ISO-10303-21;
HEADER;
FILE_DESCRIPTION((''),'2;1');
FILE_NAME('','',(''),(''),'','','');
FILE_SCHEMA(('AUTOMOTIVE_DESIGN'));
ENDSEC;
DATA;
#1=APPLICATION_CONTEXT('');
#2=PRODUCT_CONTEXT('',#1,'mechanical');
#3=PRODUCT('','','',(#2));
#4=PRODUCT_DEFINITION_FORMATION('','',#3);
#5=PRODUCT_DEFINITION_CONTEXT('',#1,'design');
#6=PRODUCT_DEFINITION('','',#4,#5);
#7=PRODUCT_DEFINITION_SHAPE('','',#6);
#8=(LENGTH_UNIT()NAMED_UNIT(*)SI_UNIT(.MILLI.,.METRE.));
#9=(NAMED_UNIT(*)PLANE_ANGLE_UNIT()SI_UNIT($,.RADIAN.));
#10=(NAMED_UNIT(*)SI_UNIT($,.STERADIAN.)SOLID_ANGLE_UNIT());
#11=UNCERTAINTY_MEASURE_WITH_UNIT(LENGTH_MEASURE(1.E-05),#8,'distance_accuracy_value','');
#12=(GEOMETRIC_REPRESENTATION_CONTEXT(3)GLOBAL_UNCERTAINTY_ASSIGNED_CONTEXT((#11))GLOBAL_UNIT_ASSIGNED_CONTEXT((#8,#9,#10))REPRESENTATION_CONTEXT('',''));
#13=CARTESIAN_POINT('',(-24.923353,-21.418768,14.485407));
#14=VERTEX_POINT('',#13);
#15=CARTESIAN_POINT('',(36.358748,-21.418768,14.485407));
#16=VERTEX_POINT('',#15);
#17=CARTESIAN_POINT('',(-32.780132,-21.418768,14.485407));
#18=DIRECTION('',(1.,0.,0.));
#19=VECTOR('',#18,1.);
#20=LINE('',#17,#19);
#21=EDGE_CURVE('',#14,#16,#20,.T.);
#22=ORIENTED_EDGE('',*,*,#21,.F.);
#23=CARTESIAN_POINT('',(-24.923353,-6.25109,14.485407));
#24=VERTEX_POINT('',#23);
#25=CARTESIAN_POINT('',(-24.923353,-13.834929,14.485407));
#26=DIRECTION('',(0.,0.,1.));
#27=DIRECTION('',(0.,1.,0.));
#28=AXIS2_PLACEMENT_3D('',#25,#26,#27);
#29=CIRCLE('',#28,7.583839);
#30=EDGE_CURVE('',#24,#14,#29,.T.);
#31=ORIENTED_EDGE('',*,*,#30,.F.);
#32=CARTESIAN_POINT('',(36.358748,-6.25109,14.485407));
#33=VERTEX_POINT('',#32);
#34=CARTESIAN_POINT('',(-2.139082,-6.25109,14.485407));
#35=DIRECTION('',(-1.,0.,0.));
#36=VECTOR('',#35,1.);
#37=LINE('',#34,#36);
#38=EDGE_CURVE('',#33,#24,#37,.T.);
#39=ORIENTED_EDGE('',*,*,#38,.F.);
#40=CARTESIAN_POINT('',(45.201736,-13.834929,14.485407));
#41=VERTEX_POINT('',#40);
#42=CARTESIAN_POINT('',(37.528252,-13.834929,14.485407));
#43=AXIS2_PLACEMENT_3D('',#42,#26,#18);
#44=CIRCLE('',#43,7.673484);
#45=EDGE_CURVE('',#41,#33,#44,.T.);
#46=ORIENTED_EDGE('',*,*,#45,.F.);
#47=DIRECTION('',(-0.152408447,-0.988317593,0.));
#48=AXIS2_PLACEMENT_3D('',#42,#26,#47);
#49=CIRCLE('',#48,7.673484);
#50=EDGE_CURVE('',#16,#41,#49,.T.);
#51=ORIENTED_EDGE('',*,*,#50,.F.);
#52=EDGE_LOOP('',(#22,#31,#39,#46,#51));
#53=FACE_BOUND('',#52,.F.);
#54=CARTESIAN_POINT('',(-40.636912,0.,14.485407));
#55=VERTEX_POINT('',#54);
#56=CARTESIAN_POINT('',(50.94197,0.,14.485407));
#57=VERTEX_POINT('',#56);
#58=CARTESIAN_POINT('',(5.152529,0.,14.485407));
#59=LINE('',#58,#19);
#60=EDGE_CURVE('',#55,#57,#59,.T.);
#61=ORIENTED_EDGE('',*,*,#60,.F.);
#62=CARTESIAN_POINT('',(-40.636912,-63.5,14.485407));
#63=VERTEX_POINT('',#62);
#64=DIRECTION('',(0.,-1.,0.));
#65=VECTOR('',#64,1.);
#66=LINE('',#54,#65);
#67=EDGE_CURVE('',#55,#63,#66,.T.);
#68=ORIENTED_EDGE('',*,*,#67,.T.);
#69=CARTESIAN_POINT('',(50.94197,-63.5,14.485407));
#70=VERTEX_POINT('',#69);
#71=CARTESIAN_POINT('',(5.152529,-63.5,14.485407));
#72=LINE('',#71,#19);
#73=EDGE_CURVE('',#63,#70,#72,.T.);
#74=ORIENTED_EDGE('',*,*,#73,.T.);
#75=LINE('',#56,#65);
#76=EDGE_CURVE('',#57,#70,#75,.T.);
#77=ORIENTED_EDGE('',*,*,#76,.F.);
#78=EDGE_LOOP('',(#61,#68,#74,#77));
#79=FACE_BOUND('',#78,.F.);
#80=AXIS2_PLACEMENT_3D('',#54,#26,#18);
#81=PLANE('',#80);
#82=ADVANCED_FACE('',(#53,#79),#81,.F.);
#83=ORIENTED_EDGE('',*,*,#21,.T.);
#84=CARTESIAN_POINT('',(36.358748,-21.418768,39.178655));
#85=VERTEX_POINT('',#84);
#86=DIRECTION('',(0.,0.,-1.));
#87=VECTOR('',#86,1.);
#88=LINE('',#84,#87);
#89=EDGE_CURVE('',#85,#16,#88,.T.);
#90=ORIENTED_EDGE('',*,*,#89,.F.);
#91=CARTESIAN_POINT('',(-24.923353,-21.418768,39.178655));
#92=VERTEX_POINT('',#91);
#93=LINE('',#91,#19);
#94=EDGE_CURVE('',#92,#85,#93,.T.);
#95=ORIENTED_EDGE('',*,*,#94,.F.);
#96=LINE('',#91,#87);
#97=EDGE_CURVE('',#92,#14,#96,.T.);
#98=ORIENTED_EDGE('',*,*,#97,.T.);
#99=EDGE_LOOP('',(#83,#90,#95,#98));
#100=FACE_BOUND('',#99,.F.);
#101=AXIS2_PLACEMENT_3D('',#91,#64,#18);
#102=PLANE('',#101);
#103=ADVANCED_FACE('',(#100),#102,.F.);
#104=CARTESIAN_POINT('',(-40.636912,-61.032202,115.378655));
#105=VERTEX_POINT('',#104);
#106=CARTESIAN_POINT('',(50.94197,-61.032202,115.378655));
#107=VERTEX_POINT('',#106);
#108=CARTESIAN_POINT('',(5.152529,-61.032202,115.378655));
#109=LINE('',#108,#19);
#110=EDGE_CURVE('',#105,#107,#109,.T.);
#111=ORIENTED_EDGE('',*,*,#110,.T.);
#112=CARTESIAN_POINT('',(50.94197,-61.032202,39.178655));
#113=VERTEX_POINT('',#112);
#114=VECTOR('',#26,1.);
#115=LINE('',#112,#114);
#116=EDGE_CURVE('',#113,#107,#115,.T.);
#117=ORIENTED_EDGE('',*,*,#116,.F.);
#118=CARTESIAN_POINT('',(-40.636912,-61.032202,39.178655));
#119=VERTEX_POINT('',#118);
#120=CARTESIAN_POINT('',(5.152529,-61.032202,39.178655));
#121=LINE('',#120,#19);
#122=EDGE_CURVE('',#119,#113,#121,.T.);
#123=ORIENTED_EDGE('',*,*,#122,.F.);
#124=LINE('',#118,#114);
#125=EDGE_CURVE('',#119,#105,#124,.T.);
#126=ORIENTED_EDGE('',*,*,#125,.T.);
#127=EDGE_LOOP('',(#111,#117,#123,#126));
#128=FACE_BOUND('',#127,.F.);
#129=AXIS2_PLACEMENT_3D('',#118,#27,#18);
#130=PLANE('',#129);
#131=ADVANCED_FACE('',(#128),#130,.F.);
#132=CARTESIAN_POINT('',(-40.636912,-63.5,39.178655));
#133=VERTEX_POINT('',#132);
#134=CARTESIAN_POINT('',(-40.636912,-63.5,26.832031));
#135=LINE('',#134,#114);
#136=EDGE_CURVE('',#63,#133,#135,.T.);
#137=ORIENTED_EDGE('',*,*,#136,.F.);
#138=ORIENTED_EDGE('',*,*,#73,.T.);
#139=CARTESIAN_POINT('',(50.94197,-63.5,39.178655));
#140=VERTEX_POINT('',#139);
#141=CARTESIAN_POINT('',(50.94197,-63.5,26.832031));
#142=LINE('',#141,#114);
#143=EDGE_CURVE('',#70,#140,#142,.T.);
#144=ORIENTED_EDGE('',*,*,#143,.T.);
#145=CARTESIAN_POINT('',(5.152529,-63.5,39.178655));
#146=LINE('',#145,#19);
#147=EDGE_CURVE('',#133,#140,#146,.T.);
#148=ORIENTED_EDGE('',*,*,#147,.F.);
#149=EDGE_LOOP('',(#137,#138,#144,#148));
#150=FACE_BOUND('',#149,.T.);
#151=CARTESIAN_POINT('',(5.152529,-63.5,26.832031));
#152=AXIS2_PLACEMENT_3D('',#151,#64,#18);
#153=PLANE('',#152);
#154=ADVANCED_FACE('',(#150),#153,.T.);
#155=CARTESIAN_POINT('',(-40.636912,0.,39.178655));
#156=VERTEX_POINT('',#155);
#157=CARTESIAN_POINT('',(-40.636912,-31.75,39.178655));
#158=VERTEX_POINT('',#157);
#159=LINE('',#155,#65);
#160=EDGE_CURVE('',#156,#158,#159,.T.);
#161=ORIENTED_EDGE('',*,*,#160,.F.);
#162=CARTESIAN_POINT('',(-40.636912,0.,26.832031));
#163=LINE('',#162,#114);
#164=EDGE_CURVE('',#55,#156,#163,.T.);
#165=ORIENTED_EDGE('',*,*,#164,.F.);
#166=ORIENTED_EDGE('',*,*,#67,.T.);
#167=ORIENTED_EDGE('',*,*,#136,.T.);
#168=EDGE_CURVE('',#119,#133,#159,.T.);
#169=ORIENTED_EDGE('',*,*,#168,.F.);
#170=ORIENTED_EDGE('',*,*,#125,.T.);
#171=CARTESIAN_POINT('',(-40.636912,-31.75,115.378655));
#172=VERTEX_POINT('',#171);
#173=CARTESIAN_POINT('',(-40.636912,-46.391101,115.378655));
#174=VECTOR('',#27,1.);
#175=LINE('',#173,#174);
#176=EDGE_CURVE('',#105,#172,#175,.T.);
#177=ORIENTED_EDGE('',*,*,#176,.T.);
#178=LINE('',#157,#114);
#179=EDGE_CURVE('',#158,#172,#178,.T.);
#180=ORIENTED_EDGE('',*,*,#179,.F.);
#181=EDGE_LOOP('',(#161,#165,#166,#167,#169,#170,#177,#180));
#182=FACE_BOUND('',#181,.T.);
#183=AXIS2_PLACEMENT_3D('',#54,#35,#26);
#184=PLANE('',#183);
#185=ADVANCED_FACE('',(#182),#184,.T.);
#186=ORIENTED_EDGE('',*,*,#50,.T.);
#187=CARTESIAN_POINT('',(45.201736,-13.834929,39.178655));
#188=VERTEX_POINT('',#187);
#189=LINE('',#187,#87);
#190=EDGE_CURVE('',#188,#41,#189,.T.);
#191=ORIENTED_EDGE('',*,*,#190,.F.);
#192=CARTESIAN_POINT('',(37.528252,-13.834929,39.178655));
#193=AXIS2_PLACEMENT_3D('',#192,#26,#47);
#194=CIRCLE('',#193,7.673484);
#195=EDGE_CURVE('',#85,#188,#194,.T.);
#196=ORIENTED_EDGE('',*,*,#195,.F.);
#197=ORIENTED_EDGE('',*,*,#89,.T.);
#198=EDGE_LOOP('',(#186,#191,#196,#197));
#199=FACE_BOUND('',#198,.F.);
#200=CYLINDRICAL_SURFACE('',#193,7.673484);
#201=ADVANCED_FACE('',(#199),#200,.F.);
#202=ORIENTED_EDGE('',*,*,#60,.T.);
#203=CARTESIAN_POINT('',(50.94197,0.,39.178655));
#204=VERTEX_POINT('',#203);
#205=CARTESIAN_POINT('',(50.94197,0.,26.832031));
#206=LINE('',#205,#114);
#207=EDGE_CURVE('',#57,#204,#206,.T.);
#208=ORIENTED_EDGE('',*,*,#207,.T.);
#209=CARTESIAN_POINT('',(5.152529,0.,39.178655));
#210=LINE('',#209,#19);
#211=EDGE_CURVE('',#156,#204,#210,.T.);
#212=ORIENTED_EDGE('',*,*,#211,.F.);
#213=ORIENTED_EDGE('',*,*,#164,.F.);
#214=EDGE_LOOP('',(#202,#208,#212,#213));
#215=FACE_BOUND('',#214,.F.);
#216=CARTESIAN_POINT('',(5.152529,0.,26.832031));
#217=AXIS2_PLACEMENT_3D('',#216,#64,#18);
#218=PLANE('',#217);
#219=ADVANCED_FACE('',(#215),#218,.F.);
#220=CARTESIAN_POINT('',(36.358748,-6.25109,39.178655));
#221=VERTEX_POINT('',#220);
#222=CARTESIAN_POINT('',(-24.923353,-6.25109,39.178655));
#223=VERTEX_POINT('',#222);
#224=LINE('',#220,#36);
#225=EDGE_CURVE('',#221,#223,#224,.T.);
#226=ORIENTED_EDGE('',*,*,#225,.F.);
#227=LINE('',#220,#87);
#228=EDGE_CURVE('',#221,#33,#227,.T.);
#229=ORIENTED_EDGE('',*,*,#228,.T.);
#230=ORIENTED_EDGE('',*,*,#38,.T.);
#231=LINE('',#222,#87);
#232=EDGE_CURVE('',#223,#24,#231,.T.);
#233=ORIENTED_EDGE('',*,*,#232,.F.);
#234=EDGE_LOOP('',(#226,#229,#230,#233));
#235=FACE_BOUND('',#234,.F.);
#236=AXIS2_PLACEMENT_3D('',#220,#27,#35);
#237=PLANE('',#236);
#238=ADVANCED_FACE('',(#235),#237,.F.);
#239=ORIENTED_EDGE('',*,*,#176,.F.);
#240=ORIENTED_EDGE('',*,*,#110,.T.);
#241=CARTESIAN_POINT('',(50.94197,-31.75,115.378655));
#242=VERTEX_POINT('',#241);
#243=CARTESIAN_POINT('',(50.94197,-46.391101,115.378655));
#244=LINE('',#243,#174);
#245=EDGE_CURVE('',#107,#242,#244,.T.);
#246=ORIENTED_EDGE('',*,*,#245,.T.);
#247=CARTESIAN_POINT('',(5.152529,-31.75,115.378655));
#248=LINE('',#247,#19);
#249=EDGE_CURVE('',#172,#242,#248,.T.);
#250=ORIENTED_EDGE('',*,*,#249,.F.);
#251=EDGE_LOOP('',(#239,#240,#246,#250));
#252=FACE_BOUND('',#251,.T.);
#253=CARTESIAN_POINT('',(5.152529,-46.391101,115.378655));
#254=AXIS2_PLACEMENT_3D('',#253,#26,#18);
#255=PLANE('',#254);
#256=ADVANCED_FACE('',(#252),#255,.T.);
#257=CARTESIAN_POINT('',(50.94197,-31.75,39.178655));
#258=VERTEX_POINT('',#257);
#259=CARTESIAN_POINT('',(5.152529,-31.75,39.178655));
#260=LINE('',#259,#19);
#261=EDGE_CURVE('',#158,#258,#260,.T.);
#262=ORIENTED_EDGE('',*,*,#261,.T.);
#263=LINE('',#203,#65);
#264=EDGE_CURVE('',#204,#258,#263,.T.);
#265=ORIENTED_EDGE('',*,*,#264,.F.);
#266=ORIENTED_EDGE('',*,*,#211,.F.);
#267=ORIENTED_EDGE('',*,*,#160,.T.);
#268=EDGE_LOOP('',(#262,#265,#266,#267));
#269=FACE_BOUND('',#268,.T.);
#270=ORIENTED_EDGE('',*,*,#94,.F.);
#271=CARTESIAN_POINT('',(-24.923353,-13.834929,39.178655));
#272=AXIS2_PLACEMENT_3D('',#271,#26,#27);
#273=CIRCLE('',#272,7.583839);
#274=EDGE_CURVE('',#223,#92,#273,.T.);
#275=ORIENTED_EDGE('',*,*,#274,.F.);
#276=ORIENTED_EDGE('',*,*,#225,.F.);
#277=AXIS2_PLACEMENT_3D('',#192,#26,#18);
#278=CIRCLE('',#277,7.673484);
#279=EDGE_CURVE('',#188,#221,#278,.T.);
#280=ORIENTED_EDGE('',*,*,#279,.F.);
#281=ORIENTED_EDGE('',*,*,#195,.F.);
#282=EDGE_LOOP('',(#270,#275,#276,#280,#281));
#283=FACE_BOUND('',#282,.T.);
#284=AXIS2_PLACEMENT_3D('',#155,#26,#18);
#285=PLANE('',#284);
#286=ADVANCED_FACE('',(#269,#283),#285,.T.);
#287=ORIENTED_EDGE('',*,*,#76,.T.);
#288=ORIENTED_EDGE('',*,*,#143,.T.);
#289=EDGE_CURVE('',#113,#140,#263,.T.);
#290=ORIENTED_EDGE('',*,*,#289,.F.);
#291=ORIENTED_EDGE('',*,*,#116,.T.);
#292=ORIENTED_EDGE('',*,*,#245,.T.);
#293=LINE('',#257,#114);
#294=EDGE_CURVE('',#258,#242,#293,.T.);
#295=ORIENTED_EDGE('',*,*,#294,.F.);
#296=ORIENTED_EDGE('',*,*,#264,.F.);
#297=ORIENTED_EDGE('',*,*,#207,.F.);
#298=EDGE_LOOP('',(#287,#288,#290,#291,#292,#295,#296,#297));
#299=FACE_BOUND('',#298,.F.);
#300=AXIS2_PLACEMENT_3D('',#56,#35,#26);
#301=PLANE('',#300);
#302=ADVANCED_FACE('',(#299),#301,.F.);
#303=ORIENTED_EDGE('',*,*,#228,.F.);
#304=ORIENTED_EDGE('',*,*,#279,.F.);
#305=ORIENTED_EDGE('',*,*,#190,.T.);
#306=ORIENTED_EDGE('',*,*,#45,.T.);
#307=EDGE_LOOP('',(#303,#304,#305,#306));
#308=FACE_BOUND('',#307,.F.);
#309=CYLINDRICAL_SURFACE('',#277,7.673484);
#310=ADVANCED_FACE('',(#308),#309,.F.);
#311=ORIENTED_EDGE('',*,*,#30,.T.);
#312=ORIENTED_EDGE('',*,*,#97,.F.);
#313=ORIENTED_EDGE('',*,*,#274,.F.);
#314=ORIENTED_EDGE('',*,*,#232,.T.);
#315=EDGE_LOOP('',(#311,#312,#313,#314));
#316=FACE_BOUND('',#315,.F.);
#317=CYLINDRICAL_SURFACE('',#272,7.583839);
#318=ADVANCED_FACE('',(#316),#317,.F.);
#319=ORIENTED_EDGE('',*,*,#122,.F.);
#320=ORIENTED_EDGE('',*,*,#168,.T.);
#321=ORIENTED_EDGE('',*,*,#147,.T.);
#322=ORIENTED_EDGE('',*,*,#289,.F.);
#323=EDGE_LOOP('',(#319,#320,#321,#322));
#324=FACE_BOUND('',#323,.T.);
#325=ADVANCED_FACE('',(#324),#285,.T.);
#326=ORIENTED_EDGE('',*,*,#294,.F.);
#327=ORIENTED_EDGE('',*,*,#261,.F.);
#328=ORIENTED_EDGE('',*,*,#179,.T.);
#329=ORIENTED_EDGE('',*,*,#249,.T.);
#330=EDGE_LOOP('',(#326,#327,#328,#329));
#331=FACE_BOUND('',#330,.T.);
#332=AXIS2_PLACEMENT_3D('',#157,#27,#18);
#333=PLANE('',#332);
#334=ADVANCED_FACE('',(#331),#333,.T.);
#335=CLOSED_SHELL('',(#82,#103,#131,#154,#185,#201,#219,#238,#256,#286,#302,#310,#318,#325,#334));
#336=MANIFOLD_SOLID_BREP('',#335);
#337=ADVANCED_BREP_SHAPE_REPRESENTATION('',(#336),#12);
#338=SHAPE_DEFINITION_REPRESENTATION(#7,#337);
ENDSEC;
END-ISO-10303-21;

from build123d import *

# Parameters (mm, degrees)
F0_W     = 91.5788821876
F0_H     = 24.6932478622
F1_DEPTH = 63.5
F3_DEPTH = 24.6942478622
F4_W     = 91.5788821876
F4_H     = 29.2822020948
F5_DEPTH = 76.2


with BuildPart() as f1:
    # F0 (on Front) → F1 (new body)
    with BuildSketch(Plane.XZ):
        with Locations((5.1525291055, 26.8320306204)):
            Rectangle(F0_W, F0_H)
    extrude(amount=F1_DEPTH)

    # F2 (on face) → F3 (cut, through all)
    with BuildSketch(Plane.XY.offset(39.1786545515)):
        with BuildLine():
            ThreePointArc((-17.3395135884, -13.8349290937), (-19.5607685854, -8.4723451545), (-24.9233525246, -6.2510901575))
            Line((-24.9233525246, -6.2510901575), (-24.9233525246, -21.41876803))
            ThreePointArc((-24.9233525246, -21.41876803), (-19.5607685854, -19.197513033), (-17.3395135884, -13.8349290937))
        make_face()
        with BuildLine():
            Line((36.3587484939, -6.2510901575), (-24.9233525246, -6.2510901575))
            ThreePointArc((-24.9233525246, -6.2510901575), (-19.5607685854, -8.4723451545), (-17.3395135884, -13.8349290937))
            ThreePointArc((-17.3395135884, -13.8349290937), (-19.5607685854, -19.197513033), (-24.9233525246, -21.41876803))
            Line((-24.9233525246, -21.41876803), (36.3587484939, -21.41876803))
            ThreePointArc((36.3587484939, -21.41876803), (29.8547685354, -13.8349290937), (36.3587484939, -6.2510901575))
        make_face()
        with BuildLine():
            Line((-24.9233525246, -21.41876803), (-24.9233525246, -6.2510901575))
            ThreePointArc((-24.9233525246, -6.2510901575), (-32.5071914609, -13.8349290937), (-24.9233525246, -21.41876803))
        make_face()
        with BuildLine():
            ThreePointArc((45.2017359228, -13.8349290937), (42.5236593274, -8.0101321084), (36.3587484939, -6.2510901575))
            Line((36.3587484939, -6.2510901575), (37.5282522291, -6.2510901575))
            Line((37.5282522291, -6.2510901575), (37.5282522291, -21.41876803))
            Line((37.5282522291, -21.41876803), (36.3587484939, -21.41876803))
            ThreePointArc((36.3587484939, -21.41876803), (42.5236593274, -19.659726079), (45.2017359228, -13.8349290937))
        make_face()
        with BuildLine():
            Line((37.5282522291, -6.2510901575), (36.3587484939, -6.2510901575))
            ThreePointArc((36.3587484939, -6.2510901575), (29.8547685354, -13.8349290937), (36.3587484939, -21.41876803))
            Line((36.3587484939, -21.41876803), (37.5282522291, -21.41876803))
            Line((37.5282522291, -21.41876803), (37.5282522291, -6.2510901575))
        make_face()
    extrude(amount=-F3_DEPTH, mode=Mode.SUBTRACT)

    # F4 (on face) → F5 (join)
    with BuildSketch(Plane.XY.offset(39.1786545515)):
        with Locations((5.1525291055, -46.3911010474)):
            Rectangle(F4_W, F4_H)
    extrude(amount=F5_DEPTH)


solid = f1.part
